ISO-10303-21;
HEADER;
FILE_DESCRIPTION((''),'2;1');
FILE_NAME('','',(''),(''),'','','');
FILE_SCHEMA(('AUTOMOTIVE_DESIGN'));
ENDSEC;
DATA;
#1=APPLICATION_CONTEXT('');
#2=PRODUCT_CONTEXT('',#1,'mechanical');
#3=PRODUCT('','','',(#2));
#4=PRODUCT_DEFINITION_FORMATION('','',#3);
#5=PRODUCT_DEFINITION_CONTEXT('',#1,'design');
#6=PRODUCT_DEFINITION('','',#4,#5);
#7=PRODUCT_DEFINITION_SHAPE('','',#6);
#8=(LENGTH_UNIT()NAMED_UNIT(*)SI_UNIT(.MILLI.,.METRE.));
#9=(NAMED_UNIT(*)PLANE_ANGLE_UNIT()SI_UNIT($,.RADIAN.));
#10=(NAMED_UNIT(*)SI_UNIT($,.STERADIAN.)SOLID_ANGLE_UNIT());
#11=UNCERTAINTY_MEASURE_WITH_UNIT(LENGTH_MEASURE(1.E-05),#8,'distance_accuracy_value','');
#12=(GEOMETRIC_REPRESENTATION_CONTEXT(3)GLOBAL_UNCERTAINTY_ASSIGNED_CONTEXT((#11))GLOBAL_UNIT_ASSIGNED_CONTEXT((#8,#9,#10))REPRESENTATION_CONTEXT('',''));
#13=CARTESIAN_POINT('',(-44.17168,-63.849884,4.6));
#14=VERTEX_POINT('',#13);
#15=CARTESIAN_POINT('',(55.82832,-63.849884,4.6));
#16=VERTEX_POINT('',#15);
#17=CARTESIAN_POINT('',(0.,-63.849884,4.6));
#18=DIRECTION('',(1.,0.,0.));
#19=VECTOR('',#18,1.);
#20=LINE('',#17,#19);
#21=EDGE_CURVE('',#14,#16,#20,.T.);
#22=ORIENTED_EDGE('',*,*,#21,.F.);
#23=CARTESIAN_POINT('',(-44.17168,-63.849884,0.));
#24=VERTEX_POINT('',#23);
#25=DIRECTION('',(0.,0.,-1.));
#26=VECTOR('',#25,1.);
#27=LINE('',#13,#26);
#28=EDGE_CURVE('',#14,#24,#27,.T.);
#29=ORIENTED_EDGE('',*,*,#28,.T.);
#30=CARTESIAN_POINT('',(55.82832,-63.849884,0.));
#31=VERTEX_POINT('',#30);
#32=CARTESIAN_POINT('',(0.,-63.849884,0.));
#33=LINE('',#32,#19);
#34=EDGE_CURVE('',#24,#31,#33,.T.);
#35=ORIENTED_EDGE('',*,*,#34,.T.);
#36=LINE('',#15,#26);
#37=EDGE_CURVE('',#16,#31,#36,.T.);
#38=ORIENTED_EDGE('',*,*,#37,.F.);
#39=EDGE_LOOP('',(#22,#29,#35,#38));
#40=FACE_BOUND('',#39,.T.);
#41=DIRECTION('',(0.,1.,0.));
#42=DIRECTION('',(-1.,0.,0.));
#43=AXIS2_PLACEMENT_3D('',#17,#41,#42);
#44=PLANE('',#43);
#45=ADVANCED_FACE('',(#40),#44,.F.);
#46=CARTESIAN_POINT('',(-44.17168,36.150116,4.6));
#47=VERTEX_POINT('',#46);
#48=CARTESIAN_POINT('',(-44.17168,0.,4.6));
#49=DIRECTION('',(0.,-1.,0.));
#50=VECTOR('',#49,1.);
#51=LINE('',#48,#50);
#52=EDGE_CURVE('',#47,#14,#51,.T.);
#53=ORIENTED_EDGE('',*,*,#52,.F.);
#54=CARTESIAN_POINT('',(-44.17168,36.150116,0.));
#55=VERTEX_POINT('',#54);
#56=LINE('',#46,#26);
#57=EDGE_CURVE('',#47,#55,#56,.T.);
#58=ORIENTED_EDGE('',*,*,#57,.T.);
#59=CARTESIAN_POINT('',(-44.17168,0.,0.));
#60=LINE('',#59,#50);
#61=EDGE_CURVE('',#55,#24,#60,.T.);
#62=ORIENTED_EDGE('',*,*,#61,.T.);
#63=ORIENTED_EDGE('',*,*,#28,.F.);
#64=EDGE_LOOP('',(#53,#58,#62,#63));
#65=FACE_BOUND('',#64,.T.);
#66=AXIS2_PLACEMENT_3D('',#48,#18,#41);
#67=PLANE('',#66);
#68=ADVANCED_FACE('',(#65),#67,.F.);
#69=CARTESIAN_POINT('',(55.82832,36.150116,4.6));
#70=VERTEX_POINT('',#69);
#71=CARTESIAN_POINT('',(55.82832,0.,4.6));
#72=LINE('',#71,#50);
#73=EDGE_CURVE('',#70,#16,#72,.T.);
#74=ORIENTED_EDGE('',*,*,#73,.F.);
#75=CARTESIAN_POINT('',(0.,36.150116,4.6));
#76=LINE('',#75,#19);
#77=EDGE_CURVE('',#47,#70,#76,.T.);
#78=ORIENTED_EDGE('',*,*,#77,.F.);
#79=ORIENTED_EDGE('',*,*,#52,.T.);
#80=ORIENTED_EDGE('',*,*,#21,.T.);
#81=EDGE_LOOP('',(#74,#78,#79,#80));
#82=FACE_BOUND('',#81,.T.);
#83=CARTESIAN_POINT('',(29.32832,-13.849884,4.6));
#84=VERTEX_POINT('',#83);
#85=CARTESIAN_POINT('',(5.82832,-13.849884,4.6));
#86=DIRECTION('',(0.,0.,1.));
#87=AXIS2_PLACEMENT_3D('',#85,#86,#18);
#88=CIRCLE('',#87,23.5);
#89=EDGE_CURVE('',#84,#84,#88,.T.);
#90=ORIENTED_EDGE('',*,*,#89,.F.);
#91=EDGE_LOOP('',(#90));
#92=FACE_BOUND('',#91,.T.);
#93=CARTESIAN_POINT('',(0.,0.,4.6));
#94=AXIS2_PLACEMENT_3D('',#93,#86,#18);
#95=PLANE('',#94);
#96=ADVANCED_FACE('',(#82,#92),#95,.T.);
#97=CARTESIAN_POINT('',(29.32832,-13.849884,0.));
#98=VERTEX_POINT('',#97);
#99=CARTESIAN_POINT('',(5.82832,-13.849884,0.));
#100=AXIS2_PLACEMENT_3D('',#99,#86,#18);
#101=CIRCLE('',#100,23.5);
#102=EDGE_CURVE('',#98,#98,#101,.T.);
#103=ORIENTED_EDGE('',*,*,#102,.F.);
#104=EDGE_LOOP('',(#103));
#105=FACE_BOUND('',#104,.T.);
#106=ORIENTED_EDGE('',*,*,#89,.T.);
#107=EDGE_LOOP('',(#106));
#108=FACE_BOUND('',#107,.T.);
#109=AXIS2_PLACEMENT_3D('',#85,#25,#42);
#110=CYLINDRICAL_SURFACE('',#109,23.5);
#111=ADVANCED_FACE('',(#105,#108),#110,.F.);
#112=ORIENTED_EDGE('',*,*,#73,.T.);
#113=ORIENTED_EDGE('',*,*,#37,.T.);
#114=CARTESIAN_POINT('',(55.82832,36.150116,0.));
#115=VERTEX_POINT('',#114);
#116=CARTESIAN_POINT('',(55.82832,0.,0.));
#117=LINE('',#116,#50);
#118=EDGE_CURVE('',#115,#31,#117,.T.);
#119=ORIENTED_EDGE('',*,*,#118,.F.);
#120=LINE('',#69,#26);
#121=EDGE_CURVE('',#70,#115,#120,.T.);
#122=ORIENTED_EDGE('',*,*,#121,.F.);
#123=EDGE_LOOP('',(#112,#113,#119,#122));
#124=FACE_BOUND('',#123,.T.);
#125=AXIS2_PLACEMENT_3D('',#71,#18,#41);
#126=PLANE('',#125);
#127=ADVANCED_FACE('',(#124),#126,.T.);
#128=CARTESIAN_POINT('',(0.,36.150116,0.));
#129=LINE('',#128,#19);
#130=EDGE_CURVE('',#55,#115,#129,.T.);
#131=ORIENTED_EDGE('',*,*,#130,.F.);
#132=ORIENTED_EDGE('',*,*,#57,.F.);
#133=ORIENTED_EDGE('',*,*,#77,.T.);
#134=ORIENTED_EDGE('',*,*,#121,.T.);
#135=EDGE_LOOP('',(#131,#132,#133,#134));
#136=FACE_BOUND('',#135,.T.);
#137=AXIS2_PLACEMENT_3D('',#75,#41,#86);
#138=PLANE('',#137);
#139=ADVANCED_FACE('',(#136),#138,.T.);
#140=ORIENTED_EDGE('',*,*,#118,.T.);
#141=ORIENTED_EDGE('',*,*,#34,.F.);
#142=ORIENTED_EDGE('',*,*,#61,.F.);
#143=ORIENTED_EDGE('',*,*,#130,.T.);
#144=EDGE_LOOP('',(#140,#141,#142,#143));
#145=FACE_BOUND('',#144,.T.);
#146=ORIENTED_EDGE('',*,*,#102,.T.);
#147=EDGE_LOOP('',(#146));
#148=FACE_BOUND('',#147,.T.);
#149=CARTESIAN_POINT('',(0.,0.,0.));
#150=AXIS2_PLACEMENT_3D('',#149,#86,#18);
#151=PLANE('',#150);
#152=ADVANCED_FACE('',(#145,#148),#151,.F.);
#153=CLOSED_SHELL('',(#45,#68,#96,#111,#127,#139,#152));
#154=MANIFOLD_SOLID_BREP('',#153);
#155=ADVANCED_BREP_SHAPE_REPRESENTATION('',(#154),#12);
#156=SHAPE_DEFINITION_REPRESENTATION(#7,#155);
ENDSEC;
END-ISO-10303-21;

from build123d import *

# Parameters (mm, degrees)
ESQUISSE1_W        = 100
ESQUISSE1_H        = 100
ESQUISSE1_R        = 23.5
BOSS_EXTRU_1_DEPTH = 4.6


with BuildPart() as part:
    # Esquisse1 → Boss.-Extru.1 (new body)
    with BuildSketch(Plane.XY):
        with Locations((5.828319543, -13.849884125)):
            Rectangle(ESQUISSE1_W, ESQUISSE1_H)
        with Locations((5.828319543, -13.849884125)):
            Circle(ESQUISSE1_R, mode=Mode.SUBTRACT)
    extrude(amount=BOSS_EXTRU_1_DEPTH)


solid = part.part
